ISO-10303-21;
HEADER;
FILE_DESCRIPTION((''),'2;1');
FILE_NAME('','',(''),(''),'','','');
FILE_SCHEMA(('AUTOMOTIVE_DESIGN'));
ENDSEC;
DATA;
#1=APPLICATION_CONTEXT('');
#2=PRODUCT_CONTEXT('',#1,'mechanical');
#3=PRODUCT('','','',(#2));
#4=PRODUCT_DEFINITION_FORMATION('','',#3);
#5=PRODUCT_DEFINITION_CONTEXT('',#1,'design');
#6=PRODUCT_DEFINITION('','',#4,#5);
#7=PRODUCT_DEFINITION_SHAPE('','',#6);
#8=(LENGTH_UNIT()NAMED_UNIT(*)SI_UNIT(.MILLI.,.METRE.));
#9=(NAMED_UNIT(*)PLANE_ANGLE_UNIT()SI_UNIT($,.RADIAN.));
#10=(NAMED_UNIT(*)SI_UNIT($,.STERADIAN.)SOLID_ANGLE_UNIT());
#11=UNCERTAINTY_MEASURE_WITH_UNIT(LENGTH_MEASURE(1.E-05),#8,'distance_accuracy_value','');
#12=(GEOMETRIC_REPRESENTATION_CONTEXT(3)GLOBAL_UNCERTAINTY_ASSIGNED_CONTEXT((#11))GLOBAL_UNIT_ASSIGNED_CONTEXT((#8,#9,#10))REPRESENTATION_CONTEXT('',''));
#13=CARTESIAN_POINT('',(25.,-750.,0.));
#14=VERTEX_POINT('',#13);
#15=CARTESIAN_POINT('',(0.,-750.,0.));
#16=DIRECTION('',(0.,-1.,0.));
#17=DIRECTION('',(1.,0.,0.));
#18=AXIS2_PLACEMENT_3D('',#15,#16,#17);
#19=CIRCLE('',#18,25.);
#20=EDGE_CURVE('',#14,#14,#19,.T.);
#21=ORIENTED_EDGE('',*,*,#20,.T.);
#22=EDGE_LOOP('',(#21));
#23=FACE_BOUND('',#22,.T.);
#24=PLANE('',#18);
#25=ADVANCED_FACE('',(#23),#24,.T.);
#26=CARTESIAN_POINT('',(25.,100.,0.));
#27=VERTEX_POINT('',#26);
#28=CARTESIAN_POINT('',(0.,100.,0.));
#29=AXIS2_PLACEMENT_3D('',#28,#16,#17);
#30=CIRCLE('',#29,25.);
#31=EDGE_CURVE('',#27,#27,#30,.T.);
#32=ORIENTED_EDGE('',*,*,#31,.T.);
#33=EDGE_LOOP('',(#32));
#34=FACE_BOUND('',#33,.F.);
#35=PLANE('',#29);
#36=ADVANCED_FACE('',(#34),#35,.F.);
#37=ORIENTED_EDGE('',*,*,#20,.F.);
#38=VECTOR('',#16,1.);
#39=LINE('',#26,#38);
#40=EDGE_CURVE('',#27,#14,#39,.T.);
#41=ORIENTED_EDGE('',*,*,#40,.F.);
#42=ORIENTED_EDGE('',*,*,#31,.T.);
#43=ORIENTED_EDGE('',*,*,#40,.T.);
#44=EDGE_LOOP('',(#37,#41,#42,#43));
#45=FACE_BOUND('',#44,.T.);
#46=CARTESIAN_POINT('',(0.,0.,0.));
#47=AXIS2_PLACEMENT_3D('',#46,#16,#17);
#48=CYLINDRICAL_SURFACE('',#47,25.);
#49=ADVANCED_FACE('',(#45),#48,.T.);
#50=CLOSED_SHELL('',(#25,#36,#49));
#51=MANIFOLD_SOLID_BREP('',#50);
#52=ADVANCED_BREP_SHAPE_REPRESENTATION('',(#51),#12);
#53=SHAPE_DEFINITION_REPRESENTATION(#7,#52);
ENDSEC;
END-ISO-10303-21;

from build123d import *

# Parameters (mm, degrees)
F0_R     = 25
F1_DEPTH = 750
F2_DEPTH = 100


with BuildPart() as f1:
    # F0 (on Front) → F1 (new body)
    with BuildSketch(Plane.XZ):
        Circle(F0_R)
    extrude(amount=F1_DEPTH)

    # F0 (on Front) → F2 (join)
    with BuildSketch(Plane.XZ):
        Circle(F0_R)
    extrude(amount=-F2_DEPTH)


solid = f1.part
